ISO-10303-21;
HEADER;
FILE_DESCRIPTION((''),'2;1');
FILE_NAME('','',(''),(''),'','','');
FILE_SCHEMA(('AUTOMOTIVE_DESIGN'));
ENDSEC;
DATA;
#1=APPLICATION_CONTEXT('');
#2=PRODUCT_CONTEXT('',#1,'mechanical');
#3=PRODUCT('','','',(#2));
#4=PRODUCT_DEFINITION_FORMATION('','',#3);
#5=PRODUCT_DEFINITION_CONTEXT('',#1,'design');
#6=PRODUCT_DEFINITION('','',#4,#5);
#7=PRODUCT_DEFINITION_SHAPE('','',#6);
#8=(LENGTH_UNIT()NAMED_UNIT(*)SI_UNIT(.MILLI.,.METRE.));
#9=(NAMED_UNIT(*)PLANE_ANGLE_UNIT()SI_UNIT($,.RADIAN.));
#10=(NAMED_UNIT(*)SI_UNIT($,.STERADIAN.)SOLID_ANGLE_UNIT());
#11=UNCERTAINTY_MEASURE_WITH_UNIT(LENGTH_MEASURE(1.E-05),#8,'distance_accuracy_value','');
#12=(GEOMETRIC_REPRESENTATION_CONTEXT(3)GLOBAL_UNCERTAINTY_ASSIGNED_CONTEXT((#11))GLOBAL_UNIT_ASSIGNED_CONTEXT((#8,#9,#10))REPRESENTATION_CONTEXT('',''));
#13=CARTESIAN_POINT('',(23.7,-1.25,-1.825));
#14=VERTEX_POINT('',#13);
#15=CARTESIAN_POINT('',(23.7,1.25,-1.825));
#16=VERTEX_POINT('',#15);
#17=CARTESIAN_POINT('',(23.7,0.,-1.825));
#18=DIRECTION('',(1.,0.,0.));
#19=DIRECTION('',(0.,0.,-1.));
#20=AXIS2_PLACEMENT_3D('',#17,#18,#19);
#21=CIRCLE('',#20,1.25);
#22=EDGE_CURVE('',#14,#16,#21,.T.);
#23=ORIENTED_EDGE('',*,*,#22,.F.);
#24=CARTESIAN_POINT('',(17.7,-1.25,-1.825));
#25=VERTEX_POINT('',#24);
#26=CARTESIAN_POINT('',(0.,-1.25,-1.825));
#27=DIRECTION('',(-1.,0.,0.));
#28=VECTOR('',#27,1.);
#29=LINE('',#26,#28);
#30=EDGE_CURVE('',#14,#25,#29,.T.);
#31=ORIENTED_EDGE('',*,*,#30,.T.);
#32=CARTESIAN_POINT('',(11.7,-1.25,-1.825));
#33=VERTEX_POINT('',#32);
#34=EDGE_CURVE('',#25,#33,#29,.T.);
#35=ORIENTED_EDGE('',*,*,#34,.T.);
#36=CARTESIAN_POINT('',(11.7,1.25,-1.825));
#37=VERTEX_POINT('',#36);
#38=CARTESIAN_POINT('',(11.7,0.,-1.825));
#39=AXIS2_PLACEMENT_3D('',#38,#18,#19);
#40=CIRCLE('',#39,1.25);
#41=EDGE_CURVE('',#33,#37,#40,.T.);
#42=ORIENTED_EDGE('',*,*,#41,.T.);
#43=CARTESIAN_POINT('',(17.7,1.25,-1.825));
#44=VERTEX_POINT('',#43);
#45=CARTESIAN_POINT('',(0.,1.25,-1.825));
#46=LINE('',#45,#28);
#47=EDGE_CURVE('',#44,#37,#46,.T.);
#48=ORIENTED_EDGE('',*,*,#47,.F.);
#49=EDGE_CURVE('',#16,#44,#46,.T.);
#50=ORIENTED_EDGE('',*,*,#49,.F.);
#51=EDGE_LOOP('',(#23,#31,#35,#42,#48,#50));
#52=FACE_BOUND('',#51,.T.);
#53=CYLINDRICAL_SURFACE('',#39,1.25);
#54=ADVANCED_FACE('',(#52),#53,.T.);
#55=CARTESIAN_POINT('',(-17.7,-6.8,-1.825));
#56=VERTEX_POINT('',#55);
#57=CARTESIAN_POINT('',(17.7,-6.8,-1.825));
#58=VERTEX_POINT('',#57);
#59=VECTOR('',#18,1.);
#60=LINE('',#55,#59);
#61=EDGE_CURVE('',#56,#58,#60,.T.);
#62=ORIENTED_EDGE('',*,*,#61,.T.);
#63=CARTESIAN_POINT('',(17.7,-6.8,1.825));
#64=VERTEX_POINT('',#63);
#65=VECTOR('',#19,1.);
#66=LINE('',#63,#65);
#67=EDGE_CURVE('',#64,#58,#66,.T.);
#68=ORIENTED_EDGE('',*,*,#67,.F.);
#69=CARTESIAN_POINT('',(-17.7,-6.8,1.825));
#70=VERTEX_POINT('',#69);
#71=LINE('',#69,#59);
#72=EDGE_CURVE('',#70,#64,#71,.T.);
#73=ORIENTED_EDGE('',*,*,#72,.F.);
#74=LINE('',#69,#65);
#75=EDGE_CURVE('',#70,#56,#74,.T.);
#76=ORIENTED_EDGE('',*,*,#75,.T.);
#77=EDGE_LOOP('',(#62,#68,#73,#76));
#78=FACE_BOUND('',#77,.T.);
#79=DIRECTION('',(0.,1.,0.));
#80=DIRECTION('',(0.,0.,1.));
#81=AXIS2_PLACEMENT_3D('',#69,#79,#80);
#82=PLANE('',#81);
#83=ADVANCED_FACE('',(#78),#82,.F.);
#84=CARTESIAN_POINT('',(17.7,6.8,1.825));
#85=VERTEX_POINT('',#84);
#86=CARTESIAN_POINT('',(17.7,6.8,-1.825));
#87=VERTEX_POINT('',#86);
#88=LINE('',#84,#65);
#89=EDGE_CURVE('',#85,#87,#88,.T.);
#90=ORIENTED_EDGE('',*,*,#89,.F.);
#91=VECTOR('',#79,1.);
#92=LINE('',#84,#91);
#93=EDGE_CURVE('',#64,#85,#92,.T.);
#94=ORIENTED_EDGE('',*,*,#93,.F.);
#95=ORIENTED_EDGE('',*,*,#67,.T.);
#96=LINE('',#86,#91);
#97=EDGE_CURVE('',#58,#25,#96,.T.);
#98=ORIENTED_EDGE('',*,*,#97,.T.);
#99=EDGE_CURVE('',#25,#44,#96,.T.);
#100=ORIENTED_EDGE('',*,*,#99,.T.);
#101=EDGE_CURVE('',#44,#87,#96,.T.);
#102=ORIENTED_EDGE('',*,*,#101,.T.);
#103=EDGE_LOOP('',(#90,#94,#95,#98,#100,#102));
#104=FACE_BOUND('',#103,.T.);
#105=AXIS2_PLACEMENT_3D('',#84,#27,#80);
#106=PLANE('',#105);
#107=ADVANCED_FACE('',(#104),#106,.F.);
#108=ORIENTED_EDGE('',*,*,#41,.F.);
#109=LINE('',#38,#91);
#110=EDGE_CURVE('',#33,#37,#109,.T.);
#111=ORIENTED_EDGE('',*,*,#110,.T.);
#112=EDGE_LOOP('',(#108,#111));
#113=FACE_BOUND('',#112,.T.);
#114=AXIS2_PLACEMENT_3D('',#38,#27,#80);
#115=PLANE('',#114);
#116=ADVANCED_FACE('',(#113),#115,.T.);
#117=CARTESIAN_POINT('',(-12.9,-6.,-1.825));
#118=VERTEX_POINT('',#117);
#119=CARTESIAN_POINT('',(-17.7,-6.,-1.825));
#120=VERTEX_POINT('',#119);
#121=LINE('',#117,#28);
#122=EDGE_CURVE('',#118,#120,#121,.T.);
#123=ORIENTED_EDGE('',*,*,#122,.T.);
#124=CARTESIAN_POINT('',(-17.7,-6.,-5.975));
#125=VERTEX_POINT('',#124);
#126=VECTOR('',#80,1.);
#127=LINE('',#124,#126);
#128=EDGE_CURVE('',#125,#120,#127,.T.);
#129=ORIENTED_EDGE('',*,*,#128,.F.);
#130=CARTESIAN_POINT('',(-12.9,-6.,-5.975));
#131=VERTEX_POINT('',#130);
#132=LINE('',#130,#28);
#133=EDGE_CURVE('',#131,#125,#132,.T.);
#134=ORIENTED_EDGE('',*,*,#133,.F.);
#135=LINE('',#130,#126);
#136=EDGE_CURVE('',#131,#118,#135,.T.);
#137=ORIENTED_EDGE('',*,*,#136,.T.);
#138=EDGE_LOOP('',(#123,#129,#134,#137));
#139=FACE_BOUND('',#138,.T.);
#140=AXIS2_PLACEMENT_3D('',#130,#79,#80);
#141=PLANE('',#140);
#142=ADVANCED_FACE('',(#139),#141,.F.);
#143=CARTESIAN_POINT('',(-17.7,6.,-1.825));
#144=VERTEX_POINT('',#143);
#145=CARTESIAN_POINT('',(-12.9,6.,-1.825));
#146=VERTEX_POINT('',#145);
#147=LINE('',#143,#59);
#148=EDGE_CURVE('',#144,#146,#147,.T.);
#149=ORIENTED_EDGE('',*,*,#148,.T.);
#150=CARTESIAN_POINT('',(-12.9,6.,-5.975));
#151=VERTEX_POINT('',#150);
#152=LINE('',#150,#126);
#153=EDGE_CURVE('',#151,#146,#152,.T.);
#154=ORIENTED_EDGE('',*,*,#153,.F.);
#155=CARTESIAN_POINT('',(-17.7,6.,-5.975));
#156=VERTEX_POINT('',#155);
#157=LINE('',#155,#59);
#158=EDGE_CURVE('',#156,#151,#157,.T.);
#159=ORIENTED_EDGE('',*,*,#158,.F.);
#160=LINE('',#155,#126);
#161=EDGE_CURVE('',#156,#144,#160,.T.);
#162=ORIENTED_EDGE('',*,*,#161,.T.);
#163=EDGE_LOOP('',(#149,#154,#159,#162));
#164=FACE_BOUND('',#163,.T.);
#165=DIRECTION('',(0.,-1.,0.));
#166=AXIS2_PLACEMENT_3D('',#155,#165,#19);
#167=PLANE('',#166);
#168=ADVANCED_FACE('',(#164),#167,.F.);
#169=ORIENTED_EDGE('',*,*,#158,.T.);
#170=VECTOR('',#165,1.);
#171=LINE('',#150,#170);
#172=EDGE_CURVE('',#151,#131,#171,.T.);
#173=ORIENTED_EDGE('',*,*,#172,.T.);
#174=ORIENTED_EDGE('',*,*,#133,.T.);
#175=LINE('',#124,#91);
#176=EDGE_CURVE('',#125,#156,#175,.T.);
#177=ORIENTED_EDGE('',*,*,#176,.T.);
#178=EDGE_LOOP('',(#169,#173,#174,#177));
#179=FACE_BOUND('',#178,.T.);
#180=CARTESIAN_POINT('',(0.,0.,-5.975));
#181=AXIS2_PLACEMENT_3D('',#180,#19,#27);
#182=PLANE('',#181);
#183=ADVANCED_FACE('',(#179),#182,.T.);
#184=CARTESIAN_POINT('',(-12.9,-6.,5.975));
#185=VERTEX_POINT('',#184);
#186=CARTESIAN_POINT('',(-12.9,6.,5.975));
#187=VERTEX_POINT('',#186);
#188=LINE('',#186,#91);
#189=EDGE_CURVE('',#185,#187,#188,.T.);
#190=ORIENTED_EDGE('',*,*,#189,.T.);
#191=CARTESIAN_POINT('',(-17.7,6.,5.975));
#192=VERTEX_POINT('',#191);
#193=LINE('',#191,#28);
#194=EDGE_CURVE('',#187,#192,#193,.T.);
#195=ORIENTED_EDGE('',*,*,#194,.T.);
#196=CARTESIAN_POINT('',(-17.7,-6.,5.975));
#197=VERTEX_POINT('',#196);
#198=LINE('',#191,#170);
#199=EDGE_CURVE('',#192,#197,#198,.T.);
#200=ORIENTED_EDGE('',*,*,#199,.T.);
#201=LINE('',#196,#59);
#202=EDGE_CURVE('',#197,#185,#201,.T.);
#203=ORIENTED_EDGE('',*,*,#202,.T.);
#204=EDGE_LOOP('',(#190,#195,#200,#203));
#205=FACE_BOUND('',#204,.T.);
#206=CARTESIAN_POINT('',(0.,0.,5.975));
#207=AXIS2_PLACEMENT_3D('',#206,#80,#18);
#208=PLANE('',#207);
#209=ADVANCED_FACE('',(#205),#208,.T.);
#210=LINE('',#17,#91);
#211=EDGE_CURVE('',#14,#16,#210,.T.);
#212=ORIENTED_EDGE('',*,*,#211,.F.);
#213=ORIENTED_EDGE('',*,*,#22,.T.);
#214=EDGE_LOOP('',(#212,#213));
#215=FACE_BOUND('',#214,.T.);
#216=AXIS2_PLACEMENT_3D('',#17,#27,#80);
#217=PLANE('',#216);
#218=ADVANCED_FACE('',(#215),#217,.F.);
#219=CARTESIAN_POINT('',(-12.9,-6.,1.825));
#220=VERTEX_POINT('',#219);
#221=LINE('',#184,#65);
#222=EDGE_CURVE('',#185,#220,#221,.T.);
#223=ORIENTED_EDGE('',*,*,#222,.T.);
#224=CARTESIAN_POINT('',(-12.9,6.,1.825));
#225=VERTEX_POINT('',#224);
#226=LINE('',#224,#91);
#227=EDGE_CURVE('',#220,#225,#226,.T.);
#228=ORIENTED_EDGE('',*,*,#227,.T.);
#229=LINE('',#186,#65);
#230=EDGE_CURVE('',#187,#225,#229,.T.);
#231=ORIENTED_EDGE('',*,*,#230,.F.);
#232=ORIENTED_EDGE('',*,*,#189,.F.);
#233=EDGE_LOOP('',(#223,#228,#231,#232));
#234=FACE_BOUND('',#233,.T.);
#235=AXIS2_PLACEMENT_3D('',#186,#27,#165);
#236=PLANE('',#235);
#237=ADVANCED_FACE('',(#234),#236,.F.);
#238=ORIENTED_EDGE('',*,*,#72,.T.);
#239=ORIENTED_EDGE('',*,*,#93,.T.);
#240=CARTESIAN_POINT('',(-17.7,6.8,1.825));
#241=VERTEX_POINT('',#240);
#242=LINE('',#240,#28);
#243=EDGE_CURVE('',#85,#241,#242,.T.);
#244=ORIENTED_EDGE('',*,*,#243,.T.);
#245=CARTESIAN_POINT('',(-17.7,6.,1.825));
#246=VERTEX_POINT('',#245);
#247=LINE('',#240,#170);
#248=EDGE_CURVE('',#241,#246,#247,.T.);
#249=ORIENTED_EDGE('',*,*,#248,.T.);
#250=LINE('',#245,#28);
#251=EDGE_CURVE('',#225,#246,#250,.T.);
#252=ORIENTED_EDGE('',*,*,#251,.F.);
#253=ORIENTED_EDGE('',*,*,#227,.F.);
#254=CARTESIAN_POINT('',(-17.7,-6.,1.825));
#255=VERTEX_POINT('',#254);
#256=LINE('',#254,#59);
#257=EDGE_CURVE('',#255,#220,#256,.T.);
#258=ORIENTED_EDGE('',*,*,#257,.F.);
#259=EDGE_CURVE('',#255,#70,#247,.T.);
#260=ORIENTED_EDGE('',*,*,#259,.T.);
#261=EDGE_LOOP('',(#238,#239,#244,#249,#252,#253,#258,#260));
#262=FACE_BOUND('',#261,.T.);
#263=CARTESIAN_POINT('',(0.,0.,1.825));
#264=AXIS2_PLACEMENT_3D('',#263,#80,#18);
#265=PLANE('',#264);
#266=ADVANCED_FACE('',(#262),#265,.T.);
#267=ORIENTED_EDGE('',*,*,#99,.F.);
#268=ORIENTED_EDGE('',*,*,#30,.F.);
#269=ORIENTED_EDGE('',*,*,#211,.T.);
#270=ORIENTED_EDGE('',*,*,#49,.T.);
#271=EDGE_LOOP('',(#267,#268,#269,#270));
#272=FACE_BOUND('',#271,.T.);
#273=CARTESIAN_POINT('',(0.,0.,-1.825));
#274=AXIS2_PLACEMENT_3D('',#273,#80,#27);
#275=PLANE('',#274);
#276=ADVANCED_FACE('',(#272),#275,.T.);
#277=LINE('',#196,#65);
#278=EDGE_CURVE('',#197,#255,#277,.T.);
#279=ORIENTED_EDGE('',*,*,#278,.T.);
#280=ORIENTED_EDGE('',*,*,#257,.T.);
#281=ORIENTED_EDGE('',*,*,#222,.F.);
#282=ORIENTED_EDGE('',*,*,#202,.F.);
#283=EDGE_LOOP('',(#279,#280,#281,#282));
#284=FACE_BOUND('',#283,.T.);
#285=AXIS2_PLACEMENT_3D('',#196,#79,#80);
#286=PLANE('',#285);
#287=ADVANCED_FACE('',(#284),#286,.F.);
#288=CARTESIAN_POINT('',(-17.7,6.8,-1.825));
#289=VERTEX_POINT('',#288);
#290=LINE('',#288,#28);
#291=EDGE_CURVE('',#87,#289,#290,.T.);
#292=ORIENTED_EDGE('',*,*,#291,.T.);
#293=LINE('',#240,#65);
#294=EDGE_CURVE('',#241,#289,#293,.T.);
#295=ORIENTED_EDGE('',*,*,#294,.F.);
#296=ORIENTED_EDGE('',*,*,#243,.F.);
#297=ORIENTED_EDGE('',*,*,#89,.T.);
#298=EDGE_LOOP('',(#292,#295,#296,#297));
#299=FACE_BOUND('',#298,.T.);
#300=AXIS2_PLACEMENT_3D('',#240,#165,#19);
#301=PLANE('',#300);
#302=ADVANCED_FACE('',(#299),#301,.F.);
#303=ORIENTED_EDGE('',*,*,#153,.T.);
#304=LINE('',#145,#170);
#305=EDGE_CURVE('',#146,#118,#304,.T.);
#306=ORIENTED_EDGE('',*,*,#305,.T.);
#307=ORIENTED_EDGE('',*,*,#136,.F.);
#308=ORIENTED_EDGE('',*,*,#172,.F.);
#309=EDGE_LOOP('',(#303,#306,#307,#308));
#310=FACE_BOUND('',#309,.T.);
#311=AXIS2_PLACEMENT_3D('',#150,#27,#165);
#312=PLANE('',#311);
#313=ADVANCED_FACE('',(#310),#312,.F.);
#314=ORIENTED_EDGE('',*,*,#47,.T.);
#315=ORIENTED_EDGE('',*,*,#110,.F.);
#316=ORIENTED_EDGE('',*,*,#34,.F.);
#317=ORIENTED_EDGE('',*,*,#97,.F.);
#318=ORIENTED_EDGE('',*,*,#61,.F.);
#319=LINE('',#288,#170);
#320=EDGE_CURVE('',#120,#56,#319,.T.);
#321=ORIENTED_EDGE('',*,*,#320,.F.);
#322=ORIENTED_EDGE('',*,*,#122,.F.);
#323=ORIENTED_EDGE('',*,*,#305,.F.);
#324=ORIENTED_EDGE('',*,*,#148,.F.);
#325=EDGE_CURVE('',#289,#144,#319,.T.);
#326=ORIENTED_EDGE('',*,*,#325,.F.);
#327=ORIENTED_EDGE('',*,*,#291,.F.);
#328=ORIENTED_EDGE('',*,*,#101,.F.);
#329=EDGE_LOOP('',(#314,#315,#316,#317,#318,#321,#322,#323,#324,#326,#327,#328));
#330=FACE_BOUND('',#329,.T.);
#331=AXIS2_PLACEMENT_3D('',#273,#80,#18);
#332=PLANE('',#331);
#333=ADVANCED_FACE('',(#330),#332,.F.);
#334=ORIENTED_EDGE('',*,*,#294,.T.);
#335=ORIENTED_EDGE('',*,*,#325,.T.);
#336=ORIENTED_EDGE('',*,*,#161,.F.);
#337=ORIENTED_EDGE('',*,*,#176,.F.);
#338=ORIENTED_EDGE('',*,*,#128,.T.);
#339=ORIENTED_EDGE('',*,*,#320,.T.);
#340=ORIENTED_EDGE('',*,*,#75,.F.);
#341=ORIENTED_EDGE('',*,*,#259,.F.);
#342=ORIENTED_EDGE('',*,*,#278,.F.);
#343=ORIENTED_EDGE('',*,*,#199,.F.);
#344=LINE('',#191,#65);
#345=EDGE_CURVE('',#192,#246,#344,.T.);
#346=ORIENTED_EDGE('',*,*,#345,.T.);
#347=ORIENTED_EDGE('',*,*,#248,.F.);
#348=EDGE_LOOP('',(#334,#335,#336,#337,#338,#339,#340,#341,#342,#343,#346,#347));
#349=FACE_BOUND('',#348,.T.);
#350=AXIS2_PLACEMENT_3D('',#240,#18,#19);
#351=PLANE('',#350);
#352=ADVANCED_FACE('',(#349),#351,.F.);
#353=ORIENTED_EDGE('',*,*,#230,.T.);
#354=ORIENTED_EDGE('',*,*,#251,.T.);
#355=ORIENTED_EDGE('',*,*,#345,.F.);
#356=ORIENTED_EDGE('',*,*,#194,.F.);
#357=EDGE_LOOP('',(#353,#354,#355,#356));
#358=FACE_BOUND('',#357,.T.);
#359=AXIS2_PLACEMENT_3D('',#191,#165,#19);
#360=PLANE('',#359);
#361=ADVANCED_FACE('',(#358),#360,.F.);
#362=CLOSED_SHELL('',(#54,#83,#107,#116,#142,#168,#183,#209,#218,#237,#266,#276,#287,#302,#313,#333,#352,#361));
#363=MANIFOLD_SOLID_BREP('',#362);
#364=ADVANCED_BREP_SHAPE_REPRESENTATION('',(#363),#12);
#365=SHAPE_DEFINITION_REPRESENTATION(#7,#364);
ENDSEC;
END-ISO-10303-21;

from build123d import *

# Parameters (mm, degrees)
SKETCH1_W           = 35.4
SKETCH1_H           = 13.6
BOSS_EXTRUDE1_DEPTH = 1.825
SKETCH2_W           = 4.8
SKETCH2_H           = 12
BOSS_EXTRUDE2_DEPTH = 4.15
SKETCH3_W           = 4.8
SKETCH3_H           = 12
BOSS_EXTRUDE3_DEPTH = 4.15
SKETCH4_W           = 6
SKETCH4_H           = 1.25
REVOLVE1_ANGLE      = 180


with BuildPart() as part:
    # Sketch1 → Boss-Extrude1 (new, symmetric)
    with BuildSketch(Plane.XY):
        Rectangle(SKETCH1_W, SKETCH1_H)
    extrude(amount=BOSS_EXTRUDE1_DEPTH, both=True)

    # Sketch2 → Boss-Extrude2 (add)
    with BuildSketch(Plane.XY.offset(1.825)):
        with Locations((-15.3, 0)):
            Rectangle(SKETCH2_W, SKETCH2_H)
    extrude(amount=BOSS_EXTRUDE2_DEPTH)

    # Sketch3 → Boss-Extrude3 (add)
    with BuildSketch(Plane(origin=(0, 0, -1.825), x_dir=(-1, 0, 0), z_dir=(0, 0, -1))):
        with Locations((15.3, 0)):
            Rectangle(SKETCH3_W, SKETCH3_H)
    extrude(amount=BOSS_EXTRUDE3_DEPTH)

    # Sketch4 → Revolve1 (revolve)
    with BuildSketch(Plane(origin=(0, 0, -1.825), x_dir=(-1, 0, 0), z_dir=(0, 0, -1))):
        with Locations((-20.7, 0.625)):
            Rectangle(SKETCH4_W, SKETCH4_H)
        with Locations((-14.7, 0.625)):
            Rectangle(SKETCH4_W, SKETCH4_H)
    revolve(axis=Axis((11.7, 0, -1.825), (-1, 0, 0)), revolution_arc=REVOLVE1_ANGLE)


solid = part.part
